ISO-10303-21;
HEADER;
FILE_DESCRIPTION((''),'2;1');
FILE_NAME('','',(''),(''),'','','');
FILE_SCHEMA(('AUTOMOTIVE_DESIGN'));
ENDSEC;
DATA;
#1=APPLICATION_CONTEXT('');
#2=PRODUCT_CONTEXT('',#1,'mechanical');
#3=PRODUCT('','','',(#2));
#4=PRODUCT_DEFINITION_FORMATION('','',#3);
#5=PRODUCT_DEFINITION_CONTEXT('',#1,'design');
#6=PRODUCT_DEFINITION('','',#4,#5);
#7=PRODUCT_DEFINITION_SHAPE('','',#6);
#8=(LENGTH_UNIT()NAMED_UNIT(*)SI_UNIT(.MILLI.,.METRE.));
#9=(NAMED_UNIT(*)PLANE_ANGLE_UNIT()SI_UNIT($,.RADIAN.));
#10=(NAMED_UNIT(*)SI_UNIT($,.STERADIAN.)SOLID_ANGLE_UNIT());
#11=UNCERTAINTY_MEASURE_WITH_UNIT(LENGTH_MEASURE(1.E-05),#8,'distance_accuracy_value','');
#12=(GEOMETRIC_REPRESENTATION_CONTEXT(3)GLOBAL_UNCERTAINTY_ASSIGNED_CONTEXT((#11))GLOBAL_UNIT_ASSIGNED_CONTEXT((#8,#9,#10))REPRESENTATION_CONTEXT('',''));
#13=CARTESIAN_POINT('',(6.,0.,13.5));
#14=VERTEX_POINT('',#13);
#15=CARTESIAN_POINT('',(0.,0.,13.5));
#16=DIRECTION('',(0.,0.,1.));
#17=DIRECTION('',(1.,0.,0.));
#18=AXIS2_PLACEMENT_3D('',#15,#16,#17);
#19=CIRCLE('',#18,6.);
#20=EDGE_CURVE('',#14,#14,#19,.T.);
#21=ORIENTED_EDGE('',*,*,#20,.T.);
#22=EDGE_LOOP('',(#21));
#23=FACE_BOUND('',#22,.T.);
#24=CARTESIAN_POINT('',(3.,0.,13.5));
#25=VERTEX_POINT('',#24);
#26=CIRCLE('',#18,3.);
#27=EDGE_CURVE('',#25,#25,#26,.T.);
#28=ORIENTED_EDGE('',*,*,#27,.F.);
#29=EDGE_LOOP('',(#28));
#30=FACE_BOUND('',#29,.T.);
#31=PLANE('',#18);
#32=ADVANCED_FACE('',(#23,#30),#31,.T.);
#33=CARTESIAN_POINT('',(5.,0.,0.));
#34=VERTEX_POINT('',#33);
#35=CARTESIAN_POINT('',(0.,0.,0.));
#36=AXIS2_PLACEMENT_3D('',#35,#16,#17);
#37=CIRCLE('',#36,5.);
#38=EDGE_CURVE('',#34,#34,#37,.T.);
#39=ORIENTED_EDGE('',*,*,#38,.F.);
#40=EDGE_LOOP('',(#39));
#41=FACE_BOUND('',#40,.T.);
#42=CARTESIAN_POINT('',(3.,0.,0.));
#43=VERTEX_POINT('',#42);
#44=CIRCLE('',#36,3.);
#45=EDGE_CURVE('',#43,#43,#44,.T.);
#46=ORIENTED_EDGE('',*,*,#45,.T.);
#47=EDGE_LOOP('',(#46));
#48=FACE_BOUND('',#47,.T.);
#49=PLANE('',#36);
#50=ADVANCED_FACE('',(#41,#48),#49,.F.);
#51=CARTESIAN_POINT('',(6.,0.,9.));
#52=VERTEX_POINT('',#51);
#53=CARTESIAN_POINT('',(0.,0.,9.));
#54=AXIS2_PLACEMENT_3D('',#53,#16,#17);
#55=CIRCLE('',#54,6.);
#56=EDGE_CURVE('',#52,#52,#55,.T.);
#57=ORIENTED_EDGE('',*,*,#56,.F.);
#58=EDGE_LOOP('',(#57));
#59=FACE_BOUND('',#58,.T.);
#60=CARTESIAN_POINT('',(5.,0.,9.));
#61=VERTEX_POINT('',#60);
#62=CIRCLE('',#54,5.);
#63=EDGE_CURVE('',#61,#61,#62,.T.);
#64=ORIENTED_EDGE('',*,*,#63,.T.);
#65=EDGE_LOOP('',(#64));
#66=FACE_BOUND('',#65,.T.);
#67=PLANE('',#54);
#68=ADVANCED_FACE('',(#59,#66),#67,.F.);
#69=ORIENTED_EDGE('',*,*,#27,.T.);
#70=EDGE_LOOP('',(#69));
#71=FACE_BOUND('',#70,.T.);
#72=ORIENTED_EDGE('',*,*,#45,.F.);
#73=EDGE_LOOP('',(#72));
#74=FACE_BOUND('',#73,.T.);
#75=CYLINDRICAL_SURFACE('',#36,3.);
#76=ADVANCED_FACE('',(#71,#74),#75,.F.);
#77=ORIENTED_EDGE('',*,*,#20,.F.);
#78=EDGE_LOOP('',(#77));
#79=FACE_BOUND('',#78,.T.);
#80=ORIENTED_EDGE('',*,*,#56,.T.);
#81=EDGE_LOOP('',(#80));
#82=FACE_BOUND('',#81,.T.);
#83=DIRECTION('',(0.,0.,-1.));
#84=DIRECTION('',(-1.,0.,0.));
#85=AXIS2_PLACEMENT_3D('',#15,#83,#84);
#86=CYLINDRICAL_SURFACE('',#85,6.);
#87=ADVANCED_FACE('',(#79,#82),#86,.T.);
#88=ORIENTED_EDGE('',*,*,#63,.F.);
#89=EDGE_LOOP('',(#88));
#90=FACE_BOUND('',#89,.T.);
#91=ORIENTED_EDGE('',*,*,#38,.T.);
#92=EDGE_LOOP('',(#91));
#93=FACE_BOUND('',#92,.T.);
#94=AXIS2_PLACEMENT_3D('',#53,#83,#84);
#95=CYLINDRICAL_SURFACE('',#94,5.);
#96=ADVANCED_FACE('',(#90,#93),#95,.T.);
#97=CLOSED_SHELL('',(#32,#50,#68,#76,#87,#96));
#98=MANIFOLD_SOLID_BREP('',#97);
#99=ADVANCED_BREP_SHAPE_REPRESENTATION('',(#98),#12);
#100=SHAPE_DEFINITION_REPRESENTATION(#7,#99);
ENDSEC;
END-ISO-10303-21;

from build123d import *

# Parameters (mm, degrees)
SKETCH1_R           = 5
BOSS_EXTRUDE1_DEPTH = 9
SKETCH2_R           = 6
BOSS_EXTRUDE2_DEPTH = 4.5
SKETCH4_R           = 3
CUT_EXTRUDE1_DEPTH  = 14.5


with BuildPart() as part:
    # Sketch1 → Boss-Extrude1 (new body)
    with BuildSketch(Plane.XY):
        Circle(SKETCH1_R)
    extrude(amount=BOSS_EXTRUDE1_DEPTH)

    # Sketch2 → Boss-Extrude2 (add)
    with BuildSketch(Plane.XY.offset(9)):
        Circle(SKETCH2_R)
    extrude(amount=BOSS_EXTRUDE2_DEPTH)

    # Sketch4 → Cut-Extrude1 (cut, through all)
    with BuildSketch(Plane.XY.offset(13.5)):
        Circle(SKETCH4_R)
    extrude(amount=-CUT_EXTRUDE1_DEPTH, mode=Mode.SUBTRACT)


solid = part.part
